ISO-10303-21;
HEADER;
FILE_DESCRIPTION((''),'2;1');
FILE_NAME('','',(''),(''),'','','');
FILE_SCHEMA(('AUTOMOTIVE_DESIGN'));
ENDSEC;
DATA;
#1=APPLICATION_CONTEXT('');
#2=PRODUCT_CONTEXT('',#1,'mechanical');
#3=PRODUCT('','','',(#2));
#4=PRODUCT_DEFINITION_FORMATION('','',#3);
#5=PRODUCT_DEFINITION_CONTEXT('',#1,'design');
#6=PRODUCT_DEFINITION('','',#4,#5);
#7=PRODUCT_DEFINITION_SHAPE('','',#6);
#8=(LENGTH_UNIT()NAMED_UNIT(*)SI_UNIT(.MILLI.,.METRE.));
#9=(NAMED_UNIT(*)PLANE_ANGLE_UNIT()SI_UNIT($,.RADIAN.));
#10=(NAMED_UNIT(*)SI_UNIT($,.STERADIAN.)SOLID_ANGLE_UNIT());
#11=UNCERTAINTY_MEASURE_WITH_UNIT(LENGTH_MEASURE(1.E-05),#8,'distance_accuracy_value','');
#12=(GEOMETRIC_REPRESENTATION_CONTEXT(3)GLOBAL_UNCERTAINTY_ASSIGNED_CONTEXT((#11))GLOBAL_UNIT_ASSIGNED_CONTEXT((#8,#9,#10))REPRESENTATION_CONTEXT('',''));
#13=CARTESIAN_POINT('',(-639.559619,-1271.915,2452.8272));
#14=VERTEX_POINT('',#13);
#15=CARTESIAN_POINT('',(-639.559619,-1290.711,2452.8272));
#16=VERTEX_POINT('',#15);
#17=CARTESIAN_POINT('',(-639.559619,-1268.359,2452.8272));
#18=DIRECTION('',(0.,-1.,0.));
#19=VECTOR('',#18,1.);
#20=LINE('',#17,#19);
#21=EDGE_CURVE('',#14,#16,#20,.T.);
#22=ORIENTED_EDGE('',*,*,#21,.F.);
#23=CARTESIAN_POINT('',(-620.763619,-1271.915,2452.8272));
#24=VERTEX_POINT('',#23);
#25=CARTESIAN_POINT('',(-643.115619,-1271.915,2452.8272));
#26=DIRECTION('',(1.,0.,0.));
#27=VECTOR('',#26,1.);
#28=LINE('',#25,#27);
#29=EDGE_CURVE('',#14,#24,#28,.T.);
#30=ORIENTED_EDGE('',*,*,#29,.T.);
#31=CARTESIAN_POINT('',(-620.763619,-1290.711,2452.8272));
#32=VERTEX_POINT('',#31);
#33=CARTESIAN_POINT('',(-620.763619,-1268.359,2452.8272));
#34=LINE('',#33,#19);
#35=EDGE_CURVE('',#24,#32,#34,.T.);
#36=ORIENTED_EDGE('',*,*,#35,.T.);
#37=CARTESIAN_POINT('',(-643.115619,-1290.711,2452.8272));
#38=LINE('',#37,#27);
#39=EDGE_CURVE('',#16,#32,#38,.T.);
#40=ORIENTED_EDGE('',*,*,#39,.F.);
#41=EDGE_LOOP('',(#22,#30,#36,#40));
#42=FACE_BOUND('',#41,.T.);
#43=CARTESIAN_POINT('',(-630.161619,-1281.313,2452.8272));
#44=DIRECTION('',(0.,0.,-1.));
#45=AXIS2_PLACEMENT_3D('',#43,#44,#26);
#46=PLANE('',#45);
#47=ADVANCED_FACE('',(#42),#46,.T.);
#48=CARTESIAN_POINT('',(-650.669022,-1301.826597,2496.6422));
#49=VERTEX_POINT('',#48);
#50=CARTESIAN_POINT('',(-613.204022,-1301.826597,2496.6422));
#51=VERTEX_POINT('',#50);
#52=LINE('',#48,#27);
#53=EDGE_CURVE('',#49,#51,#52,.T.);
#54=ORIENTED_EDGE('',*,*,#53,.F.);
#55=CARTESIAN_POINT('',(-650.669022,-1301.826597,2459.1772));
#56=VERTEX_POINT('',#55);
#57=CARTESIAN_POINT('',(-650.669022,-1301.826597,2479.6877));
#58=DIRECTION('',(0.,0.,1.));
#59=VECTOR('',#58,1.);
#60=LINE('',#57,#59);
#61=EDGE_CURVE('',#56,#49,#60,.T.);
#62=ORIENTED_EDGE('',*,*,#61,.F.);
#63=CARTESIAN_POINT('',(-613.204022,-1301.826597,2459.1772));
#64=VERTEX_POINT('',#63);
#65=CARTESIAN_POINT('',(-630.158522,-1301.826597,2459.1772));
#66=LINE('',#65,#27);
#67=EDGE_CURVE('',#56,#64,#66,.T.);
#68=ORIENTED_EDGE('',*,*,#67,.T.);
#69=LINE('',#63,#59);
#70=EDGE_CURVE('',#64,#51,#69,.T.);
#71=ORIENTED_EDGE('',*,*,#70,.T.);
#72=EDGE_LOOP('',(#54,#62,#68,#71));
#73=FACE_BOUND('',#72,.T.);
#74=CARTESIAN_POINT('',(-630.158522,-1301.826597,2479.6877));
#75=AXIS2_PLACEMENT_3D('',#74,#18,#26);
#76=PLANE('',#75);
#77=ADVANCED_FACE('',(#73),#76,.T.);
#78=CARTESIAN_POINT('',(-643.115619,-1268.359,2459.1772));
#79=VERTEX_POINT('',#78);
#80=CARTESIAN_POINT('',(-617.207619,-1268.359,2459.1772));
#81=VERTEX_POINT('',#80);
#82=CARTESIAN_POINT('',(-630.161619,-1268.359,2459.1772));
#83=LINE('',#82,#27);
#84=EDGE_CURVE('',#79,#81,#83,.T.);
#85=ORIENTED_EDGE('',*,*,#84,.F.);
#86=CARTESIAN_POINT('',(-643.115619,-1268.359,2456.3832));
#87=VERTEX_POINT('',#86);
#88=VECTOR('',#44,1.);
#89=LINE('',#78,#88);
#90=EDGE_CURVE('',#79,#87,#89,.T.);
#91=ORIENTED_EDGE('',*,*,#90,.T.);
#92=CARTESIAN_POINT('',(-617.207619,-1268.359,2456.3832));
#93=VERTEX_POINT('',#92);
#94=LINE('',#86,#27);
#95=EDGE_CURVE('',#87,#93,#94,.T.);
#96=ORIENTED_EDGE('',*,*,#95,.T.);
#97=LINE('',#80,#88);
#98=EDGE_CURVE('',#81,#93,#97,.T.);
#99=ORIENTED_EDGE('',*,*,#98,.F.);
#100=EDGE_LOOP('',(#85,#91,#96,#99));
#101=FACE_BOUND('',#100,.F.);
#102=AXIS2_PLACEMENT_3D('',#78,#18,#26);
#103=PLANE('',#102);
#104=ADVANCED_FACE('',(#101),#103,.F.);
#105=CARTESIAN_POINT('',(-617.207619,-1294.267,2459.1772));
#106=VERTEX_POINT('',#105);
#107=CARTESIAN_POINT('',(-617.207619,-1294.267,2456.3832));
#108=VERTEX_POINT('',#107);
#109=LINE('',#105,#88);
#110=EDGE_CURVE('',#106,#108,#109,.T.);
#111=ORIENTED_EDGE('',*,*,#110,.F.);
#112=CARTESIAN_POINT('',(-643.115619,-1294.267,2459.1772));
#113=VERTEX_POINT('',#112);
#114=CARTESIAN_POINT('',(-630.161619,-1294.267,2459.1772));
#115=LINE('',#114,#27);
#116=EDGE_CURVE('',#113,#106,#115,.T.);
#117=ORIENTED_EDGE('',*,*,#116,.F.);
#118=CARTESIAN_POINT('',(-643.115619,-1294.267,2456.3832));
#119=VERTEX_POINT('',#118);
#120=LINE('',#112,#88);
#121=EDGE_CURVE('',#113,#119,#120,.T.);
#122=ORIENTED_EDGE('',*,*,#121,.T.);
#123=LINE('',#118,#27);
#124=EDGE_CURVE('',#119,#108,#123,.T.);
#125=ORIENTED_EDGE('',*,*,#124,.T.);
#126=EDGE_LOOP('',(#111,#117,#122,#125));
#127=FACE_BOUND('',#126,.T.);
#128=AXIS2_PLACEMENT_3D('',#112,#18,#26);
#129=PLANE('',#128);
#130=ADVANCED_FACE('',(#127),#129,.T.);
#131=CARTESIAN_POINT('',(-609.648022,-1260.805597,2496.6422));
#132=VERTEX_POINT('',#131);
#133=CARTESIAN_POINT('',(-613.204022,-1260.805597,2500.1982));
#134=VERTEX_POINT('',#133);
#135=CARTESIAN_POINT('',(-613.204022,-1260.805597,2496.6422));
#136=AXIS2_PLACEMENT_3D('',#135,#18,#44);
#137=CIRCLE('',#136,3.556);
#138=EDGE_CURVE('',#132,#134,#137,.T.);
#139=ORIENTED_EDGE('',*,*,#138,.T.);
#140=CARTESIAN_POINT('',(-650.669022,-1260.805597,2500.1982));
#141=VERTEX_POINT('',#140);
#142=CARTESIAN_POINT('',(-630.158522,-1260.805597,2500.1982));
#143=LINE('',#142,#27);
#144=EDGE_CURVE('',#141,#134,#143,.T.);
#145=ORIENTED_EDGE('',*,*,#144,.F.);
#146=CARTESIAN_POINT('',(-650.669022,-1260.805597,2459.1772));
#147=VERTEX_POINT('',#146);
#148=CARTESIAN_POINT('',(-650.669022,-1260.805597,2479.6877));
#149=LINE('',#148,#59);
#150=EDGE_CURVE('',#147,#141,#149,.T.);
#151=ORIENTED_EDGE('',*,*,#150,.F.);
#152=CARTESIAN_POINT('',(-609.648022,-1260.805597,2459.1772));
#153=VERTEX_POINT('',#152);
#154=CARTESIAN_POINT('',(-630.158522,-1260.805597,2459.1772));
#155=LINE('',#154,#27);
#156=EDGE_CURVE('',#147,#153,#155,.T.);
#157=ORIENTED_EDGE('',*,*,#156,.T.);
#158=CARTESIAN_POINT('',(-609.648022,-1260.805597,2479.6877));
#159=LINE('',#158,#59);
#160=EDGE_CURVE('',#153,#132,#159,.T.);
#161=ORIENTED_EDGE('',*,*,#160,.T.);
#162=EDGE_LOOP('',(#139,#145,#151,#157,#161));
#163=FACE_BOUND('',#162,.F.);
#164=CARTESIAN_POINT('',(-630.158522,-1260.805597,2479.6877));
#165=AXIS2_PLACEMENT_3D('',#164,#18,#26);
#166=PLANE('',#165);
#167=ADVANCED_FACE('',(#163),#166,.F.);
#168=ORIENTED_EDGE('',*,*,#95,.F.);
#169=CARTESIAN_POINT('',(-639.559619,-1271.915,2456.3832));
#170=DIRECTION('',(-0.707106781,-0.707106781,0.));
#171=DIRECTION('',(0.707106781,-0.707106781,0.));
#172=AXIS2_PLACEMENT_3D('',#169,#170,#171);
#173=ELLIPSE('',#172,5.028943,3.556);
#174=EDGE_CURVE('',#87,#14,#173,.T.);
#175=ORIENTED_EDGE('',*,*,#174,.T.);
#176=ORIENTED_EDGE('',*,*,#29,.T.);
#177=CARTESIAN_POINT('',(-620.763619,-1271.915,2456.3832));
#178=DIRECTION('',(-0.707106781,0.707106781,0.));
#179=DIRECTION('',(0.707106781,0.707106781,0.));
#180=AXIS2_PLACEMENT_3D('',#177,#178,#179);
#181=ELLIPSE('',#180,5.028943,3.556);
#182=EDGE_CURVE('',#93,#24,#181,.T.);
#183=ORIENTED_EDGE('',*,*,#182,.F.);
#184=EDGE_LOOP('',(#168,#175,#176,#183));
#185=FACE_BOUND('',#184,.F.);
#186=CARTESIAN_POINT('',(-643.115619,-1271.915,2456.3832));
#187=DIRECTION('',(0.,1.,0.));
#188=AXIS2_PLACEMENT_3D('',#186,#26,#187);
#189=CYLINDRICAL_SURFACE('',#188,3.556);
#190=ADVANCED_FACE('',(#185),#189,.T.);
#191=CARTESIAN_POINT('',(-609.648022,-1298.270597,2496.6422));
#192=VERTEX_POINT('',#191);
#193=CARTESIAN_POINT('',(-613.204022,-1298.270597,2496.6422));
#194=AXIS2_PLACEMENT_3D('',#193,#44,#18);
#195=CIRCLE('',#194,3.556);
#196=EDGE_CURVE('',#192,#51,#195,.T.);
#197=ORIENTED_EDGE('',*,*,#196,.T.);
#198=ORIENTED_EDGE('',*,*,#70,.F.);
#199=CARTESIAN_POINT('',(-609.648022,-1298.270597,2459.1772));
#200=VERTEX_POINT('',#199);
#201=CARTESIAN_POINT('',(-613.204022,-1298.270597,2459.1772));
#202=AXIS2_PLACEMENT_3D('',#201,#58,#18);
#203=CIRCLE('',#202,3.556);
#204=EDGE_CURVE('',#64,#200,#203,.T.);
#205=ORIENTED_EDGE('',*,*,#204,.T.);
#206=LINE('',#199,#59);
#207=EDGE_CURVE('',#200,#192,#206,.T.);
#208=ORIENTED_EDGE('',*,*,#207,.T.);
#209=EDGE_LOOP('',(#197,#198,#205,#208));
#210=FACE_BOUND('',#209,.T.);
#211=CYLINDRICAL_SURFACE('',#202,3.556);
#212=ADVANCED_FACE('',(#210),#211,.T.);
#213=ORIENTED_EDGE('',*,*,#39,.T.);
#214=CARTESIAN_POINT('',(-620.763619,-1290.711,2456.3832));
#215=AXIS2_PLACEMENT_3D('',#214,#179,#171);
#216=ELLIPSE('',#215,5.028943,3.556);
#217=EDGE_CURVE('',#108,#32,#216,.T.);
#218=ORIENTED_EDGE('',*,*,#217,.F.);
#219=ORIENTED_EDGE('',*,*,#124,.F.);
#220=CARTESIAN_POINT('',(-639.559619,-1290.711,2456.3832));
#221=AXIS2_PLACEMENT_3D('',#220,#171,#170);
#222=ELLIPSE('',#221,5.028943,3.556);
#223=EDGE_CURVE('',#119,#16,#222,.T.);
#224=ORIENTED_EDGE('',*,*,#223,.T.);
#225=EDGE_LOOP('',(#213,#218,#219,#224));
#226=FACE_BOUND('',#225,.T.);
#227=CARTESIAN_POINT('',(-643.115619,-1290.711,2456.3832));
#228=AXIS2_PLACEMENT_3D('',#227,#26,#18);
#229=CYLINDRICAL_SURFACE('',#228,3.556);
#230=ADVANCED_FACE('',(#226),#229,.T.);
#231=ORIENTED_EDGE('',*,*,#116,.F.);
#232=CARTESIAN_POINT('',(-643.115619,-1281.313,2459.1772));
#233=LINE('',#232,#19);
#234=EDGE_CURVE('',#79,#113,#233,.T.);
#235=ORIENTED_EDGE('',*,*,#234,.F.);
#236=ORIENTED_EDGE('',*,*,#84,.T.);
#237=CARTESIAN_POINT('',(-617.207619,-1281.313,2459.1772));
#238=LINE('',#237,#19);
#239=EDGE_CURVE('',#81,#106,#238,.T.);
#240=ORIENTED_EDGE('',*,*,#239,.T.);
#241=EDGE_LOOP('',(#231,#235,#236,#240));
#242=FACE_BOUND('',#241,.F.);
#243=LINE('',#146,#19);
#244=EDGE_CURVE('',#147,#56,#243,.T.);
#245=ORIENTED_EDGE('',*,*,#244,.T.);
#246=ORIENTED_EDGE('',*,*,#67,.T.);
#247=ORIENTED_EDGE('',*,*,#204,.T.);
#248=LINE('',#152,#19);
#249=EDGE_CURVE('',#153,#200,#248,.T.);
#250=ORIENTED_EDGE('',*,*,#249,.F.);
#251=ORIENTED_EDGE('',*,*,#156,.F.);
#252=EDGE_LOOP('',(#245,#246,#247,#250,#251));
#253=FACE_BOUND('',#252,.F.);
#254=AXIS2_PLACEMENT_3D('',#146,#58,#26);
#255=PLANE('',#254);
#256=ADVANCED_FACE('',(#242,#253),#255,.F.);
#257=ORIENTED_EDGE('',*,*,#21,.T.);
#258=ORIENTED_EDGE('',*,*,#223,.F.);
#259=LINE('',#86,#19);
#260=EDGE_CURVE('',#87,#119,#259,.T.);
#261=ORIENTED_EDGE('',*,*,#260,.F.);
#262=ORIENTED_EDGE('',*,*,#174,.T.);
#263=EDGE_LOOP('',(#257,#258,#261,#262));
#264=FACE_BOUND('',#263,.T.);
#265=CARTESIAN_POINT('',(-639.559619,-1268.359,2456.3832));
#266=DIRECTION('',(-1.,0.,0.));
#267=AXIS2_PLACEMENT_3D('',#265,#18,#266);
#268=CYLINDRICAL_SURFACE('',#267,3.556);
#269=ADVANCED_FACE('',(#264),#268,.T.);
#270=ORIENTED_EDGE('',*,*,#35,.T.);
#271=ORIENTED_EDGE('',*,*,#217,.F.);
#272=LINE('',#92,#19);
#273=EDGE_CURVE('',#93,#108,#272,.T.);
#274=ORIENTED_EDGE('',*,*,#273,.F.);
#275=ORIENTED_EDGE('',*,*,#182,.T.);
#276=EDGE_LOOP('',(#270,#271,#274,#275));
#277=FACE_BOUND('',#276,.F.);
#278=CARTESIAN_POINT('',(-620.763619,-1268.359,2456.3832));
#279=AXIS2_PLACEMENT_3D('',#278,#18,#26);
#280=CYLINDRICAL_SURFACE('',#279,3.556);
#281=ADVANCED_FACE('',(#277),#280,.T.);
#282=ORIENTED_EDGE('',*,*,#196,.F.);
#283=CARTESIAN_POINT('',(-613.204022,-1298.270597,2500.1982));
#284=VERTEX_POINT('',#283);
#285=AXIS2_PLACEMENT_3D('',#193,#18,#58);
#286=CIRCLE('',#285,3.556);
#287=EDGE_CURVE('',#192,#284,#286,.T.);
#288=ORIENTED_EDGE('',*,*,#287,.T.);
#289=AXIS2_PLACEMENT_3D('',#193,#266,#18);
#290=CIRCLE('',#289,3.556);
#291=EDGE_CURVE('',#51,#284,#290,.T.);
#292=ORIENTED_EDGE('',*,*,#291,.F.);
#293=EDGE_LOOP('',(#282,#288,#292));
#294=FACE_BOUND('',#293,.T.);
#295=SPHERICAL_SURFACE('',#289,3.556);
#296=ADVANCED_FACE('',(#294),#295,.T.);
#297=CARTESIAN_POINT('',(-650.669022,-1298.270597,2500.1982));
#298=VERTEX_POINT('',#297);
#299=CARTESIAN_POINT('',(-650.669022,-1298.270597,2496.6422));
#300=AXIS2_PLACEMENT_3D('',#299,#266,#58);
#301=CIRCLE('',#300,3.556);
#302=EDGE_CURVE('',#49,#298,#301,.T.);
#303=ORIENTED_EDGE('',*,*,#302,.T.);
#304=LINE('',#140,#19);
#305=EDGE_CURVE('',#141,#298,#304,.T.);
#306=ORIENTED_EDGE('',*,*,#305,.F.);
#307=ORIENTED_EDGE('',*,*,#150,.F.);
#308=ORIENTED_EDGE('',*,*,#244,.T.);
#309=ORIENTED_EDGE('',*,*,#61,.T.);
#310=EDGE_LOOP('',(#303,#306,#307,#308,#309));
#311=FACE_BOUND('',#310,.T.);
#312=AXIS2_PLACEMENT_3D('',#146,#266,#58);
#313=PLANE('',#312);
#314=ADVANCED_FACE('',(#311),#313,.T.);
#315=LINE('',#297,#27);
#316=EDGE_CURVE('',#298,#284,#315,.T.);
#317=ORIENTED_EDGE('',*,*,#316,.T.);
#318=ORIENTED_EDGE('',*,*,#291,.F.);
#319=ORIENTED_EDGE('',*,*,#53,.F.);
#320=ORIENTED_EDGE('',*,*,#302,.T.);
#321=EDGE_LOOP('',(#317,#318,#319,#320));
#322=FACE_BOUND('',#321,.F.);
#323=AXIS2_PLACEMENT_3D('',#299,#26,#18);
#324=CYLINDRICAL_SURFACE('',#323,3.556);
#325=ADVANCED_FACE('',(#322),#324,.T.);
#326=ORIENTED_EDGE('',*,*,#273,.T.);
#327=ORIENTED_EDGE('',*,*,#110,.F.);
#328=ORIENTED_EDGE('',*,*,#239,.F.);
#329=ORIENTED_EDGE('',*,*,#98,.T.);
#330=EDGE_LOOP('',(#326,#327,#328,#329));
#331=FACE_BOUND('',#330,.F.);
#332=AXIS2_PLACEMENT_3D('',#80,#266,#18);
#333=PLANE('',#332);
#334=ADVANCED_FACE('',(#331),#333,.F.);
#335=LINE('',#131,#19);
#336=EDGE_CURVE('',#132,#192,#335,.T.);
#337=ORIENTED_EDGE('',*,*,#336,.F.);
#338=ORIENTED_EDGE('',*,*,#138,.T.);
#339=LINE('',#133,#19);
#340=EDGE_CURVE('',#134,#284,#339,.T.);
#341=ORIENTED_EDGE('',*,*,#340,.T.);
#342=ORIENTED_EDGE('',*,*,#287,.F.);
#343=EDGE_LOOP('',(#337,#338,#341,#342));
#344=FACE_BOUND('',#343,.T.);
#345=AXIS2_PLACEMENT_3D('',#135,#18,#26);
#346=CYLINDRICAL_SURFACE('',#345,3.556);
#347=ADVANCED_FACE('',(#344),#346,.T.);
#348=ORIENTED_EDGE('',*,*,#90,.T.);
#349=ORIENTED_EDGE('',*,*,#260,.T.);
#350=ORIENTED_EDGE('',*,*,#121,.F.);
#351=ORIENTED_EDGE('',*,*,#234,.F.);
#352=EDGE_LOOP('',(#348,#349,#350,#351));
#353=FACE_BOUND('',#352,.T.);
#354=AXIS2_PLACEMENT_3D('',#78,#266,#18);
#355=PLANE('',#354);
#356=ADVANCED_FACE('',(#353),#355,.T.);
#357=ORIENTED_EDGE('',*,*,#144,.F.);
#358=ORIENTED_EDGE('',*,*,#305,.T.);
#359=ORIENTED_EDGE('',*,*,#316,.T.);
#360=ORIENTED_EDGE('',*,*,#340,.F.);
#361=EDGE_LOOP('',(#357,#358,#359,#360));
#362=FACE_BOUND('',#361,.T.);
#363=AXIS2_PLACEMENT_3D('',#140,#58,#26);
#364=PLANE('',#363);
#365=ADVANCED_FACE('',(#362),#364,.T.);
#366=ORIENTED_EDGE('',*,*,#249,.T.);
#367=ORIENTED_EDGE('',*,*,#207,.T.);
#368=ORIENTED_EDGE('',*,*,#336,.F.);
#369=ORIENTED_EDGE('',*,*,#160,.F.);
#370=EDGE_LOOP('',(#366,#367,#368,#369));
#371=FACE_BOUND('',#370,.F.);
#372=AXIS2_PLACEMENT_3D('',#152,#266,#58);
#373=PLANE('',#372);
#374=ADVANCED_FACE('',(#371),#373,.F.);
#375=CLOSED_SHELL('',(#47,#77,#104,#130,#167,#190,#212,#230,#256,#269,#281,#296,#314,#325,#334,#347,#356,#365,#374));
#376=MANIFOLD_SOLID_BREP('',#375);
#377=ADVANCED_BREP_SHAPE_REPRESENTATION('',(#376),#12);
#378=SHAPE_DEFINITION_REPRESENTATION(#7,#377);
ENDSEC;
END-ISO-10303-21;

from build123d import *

# Parameters (mm, degrees)
SKETCH058_W  = 41.021
SKETCH058_H  = 41.021
PAD047_DEPTH = 41.021
SKETCH057_W  = 25.908
SKETCH057_H  = 25.908
PAD048_DEPTH = 6.35
FILLET002_R  = 3.556
FILLET003_R  = 3.556


with BuildPart() as part:
    # Sketch058 → Pad047 (new body)
    with BuildSketch(Plane.XZ):
        with Locations((20.5105, 20.5105)):
            Rectangle(SKETCH058_W, SKETCH058_H)
    extrude(amount=PAD047_DEPTH)

    # Sketch057 (on Face3 of Pad047) → Pad048 (join)
    with BuildSketch(Plane(origin=(0, 0, 0), x_dir=(1, 0, 0), z_dir=(0, 0, -1))):
        with Locations((20.507403, 20.507403)):
            Rectangle(SKETCH057_W, SKETCH057_H)
    extrude(amount=PAD048_DEPTH)

    # Fillet002
    fillet002_edges = [part.edges().sort_by_distance(p)[0] for p in [
        (7.553403, -20.507403, -6.35),
        (20.507403, -33.461403, -6.35),
        (20.507403, -7.553403, -6.35),
        (33.461403, -20.507403, -6.35),
    ]]
    fillet(fillet002_edges, radius=FILLET002_R)

    # Fillet003
    fillet003_edges = [part.edges().sort_by_distance(p)[0] for p in [
        (20.5105, -41.021, 41.021),
        (41.021, -41.021, 20.5105),
        (41.021, -20.5105, 41.021),
    ]]
    fillet(fillet003_edges, radius=FILLET003_R)


with BuildPart() as part_1:
    # Body040 placement: moved
    add(part.part.moved(Location((-650.669022, -1260.805597, 2459.1772))))


solid = part_1.part
